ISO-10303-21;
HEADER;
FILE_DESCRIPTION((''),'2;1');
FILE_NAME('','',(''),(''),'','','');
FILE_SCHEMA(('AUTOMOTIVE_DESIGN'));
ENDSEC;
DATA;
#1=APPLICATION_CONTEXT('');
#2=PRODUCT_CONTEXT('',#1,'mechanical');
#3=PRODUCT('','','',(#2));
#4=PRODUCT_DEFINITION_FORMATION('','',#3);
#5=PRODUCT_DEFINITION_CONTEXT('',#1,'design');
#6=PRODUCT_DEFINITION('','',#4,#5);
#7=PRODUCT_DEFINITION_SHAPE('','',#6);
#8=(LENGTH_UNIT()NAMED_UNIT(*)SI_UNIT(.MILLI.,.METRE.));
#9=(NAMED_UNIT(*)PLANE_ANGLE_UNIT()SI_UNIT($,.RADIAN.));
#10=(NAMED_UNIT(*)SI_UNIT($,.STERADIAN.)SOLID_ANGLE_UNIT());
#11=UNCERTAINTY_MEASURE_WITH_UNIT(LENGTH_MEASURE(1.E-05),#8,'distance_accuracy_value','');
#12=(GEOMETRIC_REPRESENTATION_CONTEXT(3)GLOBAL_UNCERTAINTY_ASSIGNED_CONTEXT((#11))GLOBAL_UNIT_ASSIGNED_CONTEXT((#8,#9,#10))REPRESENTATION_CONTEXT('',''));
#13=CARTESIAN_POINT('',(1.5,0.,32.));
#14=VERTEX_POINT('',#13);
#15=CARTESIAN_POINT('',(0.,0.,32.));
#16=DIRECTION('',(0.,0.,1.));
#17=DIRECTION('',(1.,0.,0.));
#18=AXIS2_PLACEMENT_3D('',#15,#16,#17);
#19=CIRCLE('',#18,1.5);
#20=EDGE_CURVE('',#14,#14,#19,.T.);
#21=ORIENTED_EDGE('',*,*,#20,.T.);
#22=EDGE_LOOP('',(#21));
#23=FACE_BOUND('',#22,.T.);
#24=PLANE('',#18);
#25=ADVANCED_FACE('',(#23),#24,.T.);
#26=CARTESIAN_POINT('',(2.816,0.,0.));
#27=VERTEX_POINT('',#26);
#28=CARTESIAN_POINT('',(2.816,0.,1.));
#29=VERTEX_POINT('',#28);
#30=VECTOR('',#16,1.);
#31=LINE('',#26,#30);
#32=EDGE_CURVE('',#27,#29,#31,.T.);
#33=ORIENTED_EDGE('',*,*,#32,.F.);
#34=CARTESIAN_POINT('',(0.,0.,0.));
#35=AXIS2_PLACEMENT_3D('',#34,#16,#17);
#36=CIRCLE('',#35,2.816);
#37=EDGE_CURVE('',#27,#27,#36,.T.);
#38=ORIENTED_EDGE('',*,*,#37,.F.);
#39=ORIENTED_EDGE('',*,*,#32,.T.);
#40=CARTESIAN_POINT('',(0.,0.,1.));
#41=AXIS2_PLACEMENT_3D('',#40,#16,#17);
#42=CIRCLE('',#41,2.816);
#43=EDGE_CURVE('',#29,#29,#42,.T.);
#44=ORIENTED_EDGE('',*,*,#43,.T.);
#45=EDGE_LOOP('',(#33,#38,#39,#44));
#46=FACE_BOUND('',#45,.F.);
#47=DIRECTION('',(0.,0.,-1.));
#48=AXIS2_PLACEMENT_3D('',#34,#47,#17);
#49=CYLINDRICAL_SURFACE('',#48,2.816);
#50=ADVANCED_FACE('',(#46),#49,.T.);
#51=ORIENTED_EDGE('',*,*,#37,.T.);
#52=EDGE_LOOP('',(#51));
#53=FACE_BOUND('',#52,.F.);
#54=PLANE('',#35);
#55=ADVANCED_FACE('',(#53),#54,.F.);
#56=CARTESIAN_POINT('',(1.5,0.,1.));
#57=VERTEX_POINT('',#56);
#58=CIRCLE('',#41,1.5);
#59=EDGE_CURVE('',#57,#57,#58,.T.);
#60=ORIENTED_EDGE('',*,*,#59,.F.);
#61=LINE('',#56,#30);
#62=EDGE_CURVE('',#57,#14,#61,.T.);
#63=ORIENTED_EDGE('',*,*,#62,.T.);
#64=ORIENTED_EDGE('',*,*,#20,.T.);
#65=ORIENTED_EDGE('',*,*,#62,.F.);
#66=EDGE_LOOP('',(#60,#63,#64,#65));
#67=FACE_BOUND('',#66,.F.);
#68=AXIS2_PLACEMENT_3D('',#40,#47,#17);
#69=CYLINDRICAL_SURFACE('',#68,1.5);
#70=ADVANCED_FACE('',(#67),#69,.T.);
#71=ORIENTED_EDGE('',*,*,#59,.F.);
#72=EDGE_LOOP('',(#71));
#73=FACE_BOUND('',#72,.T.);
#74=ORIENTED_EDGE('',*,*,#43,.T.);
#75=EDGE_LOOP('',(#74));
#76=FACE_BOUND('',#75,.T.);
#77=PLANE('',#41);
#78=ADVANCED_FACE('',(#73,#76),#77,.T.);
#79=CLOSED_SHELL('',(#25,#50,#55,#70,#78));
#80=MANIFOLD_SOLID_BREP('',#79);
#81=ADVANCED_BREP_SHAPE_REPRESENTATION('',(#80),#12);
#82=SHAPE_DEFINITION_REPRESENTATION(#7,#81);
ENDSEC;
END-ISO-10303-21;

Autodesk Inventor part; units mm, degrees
ref_plane "YZ Plane" through (0, 0, 0) normal (1, 0, 0) x (0, 1, 0)
ref_plane "XZ Plane" through (0, 0, 0) normal (0, 1, 0) x (-1, 0, 0)
ref_plane "XY Plane" through (0, 0, 0) normal (0, 0, 1) x (1, 0, 0)
sketch "Sketch1" plane through (0, 0, 0) normal (0, 0, 1) x (1, 0, 0)
  circle A0 centre (0, 0) radius 2.816
extrude "Extrusion1" add sketch "Sketch1" along normal blind 1
sketch "Sketch2" plane through (0, 0, 1) normal (0, 0, 1) x (1, 0, 0)
  circle A0 centre (0, 0) radius 1.5
extrude "Extrusion2" add sketch "Sketch2" along normal blind 31
properties part number "Screw"
